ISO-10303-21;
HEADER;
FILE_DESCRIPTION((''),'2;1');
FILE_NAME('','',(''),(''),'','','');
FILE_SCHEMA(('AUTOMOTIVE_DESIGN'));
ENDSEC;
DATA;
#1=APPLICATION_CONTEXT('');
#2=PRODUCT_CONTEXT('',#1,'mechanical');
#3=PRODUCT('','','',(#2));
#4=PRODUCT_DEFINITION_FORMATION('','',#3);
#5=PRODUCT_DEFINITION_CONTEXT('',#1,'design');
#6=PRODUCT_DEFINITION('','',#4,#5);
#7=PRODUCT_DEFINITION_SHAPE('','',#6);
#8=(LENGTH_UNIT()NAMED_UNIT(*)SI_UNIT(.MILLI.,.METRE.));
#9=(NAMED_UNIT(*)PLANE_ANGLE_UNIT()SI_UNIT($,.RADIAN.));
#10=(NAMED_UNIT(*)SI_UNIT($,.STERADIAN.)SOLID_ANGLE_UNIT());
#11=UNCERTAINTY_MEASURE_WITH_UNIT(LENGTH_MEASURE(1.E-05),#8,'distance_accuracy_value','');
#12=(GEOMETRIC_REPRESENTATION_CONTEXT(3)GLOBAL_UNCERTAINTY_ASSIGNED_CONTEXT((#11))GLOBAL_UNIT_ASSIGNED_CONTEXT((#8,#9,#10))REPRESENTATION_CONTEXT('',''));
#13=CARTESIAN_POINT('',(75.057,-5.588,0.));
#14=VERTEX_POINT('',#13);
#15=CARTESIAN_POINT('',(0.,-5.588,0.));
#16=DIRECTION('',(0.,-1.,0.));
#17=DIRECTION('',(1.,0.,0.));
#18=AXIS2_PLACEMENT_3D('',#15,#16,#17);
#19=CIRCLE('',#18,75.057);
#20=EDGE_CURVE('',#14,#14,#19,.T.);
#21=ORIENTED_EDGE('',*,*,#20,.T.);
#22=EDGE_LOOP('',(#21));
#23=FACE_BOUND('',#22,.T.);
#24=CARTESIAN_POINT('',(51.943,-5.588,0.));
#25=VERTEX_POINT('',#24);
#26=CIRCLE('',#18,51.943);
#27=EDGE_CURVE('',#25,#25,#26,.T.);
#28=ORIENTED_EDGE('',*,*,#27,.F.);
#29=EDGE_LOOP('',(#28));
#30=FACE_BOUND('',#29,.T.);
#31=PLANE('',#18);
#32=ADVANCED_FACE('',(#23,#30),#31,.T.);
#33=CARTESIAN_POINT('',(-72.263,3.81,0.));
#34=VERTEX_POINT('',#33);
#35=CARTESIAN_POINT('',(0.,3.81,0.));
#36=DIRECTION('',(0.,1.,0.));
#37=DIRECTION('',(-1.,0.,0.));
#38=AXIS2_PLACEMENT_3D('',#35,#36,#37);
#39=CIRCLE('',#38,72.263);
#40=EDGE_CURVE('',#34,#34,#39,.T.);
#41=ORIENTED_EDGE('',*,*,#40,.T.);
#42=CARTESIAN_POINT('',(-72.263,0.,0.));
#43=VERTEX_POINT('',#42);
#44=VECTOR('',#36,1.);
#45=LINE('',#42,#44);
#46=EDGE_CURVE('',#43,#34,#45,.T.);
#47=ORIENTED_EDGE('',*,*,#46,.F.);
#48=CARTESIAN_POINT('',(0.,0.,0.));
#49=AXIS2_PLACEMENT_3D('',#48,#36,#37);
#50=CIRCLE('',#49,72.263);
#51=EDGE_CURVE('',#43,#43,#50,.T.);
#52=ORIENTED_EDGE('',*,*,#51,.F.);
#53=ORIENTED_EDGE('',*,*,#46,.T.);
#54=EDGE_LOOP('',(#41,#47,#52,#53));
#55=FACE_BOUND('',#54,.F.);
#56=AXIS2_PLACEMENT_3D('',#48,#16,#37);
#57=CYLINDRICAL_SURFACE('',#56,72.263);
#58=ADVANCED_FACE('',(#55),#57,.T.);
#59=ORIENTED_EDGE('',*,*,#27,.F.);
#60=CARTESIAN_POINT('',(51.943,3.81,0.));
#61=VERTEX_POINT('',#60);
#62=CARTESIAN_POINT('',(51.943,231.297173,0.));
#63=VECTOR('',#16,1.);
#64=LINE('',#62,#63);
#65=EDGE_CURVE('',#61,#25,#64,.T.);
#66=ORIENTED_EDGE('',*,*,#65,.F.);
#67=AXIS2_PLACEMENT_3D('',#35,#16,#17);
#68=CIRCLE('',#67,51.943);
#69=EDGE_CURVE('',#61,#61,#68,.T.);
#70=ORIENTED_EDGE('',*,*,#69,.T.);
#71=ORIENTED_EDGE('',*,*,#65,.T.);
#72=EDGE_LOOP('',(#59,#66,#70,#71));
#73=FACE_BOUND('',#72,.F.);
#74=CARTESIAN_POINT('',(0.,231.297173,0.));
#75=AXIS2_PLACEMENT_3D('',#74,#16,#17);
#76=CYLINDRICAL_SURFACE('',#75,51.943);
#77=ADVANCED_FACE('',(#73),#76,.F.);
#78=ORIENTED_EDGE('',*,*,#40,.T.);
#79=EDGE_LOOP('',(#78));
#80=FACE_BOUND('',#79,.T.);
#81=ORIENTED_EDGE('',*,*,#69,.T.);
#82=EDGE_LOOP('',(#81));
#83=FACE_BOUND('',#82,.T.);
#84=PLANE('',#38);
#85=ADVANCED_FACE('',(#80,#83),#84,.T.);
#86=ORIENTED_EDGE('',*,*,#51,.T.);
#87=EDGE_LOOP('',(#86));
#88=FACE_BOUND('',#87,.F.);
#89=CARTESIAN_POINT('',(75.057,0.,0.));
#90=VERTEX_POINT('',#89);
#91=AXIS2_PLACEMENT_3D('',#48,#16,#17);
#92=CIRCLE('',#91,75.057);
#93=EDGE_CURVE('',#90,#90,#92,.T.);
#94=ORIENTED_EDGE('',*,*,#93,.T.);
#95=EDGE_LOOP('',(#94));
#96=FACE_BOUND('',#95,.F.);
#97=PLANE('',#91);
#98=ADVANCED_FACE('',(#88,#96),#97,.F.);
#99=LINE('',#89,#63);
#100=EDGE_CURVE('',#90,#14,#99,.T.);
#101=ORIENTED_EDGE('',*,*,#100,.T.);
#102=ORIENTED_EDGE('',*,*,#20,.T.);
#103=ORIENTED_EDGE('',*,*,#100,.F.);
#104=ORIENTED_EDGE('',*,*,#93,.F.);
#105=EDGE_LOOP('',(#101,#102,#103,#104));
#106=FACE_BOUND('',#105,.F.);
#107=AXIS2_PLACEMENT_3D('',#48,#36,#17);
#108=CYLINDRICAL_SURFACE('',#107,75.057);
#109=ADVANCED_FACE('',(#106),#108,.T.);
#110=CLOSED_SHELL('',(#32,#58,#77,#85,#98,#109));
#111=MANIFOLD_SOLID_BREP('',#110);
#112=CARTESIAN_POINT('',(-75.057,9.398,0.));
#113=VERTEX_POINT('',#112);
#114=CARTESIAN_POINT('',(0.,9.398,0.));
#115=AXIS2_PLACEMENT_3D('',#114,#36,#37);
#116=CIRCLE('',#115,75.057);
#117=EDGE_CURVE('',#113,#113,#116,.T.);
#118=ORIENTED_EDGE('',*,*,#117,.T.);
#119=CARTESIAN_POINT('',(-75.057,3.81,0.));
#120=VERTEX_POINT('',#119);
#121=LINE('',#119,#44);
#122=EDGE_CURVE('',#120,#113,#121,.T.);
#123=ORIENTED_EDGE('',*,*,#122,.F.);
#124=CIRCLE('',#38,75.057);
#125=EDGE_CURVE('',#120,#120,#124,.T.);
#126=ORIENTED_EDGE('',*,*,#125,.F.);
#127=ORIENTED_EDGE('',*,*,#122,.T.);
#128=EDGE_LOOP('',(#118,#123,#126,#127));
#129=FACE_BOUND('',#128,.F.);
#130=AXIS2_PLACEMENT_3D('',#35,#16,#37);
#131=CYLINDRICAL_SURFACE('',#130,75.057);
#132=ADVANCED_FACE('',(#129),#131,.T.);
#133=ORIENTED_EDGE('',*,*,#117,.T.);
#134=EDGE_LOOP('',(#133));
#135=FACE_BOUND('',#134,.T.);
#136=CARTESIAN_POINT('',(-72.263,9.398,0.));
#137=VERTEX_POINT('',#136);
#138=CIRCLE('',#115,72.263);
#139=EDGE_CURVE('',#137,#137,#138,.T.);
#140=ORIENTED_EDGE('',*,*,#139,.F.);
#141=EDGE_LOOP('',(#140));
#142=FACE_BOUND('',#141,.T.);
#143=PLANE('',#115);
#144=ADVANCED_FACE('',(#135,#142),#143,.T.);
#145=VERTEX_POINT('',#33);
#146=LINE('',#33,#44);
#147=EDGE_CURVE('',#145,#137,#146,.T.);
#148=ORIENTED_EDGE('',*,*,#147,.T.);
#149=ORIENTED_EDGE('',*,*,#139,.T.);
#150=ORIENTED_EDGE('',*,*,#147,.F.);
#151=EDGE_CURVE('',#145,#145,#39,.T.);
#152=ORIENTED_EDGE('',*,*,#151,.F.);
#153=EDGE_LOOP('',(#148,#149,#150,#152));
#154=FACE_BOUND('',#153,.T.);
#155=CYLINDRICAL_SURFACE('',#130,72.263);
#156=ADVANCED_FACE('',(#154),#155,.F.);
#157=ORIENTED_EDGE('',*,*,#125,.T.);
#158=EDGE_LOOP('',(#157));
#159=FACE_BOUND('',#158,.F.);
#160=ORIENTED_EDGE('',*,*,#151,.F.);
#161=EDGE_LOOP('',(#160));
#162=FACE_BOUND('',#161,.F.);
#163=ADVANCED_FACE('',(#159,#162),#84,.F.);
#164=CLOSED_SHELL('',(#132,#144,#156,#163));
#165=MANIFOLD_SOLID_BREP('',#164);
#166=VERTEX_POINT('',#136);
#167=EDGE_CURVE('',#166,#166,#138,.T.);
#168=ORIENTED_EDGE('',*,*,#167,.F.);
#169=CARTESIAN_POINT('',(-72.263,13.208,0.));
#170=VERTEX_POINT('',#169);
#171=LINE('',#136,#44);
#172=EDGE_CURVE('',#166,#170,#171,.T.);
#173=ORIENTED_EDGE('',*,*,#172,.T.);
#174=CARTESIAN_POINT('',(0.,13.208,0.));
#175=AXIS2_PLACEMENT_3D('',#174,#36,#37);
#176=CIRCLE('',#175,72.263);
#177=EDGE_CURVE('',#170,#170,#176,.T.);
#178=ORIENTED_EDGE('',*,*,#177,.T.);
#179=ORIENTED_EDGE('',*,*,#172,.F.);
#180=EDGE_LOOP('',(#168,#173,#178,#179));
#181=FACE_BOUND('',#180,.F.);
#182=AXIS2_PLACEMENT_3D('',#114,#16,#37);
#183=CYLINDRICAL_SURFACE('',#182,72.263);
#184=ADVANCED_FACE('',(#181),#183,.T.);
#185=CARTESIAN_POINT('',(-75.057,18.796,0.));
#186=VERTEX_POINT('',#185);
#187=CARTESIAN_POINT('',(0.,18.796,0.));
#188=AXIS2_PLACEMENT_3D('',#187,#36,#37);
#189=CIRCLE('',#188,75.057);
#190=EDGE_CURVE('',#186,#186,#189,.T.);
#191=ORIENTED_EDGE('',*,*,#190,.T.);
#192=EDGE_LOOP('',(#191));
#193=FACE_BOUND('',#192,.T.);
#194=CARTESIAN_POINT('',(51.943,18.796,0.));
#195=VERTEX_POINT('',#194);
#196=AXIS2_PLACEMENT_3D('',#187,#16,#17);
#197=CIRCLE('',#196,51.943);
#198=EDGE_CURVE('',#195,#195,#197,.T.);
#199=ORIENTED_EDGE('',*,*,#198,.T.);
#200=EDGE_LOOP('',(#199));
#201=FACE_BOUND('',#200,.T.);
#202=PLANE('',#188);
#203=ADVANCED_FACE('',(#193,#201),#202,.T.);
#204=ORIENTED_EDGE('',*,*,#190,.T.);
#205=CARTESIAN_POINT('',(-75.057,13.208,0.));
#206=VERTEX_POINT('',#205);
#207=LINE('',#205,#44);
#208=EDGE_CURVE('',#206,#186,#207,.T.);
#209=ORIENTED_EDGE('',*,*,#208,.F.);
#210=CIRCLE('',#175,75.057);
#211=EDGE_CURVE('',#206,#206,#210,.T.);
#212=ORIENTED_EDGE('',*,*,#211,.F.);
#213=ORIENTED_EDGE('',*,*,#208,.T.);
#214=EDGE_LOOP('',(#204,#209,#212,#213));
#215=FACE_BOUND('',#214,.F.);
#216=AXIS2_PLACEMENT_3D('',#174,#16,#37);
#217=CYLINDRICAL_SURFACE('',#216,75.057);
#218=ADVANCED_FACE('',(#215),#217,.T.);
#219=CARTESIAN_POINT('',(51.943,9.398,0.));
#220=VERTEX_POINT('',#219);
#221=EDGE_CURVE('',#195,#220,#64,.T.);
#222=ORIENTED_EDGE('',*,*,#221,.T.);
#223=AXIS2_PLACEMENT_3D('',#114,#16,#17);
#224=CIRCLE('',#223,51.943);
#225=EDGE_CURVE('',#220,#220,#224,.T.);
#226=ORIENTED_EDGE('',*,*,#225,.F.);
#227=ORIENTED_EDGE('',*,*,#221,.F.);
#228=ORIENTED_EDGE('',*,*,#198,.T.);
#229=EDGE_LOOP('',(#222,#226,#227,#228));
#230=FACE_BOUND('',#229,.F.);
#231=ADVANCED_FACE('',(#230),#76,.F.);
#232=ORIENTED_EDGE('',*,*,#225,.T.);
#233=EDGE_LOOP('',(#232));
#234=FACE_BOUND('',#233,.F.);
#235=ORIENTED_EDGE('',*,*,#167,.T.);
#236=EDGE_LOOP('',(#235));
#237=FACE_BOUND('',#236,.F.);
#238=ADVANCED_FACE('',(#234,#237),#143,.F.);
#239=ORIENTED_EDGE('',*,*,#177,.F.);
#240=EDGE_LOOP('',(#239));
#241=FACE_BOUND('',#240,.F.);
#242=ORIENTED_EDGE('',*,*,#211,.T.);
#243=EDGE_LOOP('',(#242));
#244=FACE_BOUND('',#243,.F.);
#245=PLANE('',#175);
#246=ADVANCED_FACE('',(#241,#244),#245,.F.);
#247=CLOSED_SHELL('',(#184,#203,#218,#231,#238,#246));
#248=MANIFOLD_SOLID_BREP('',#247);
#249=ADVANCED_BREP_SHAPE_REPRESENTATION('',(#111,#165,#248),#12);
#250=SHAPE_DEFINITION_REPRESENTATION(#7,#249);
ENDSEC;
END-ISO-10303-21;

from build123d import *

# Parameters (mm, degrees)
F0_R     = 75.057
F1_DEPTH = 5.588
F2_R     = 72.263
F3_DEPTH = 3.81
F4_R     = 75.057
F4_R_2   = 72.263
F5_DEPTH = 5.588
F6_R     = 72.263
F7_DEPTH = 3.81
F8_R     = 75.057
F9_DEPTH = 5.588
F11_D    = 103.886
F11_2_D  = 103.886


with BuildPart() as f1:
    # F0 (on Front) → F1 (new body)
    with BuildSketch(Plane.XZ):
        Circle(F0_R)
    extrude(amount=F1_DEPTH)

    # F2 (on face) → F3 (join)
    with BuildSketch(Plane(origin=(0, 0, 0), x_dir=(-1, 0, 0), z_dir=(0, 1, 0))):
        Circle(F2_R)
    extrude(amount=F3_DEPTH)

    # F11 (through all)
    with Locations(Plane(origin=(0, 18.796, 0), x_dir=(-1, 0, 0), z_dir=(0, 1, 0))):
        with Locations((0, 0)):
            Hole(F11_D / 2)


with BuildPart() as f5:
    # F4 (on face) → F5 (new body)
    with BuildSketch(Plane(origin=(0, 3.81, 0), x_dir=(-1, 0, 0), z_dir=(0, 1, 0))):
        Circle(F4_R)
        Circle(F4_R_2, mode=Mode.SUBTRACT)
    extrude(amount=F5_DEPTH)


with BuildPart() as f7:
    # F6 (on face) → F7 (new body)
    with BuildSketch(Plane(origin=(0, 9.398, 0), x_dir=(-1, 0, 0), z_dir=(0, 1, 0))):
        Circle(F6_R)
    extrude(amount=F7_DEPTH)

    # F8 (on face) → F9 (join)
    with BuildSketch(Plane(origin=(0, 13.208, 0), x_dir=(-1, 0, 0), z_dir=(0, 1, 0))):
        Circle(F8_R)
    extrude(amount=F9_DEPTH)

    # F11#2 (through all)
    with Locations(Plane(origin=(0, 18.796, 0), x_dir=(-1, 0, 0), z_dir=(0, 1, 0))):
        with Locations((0, 0)):
            Hole(F11_2_D / 2)


solid = Compound([f1.part, f5.part, f7.part])
